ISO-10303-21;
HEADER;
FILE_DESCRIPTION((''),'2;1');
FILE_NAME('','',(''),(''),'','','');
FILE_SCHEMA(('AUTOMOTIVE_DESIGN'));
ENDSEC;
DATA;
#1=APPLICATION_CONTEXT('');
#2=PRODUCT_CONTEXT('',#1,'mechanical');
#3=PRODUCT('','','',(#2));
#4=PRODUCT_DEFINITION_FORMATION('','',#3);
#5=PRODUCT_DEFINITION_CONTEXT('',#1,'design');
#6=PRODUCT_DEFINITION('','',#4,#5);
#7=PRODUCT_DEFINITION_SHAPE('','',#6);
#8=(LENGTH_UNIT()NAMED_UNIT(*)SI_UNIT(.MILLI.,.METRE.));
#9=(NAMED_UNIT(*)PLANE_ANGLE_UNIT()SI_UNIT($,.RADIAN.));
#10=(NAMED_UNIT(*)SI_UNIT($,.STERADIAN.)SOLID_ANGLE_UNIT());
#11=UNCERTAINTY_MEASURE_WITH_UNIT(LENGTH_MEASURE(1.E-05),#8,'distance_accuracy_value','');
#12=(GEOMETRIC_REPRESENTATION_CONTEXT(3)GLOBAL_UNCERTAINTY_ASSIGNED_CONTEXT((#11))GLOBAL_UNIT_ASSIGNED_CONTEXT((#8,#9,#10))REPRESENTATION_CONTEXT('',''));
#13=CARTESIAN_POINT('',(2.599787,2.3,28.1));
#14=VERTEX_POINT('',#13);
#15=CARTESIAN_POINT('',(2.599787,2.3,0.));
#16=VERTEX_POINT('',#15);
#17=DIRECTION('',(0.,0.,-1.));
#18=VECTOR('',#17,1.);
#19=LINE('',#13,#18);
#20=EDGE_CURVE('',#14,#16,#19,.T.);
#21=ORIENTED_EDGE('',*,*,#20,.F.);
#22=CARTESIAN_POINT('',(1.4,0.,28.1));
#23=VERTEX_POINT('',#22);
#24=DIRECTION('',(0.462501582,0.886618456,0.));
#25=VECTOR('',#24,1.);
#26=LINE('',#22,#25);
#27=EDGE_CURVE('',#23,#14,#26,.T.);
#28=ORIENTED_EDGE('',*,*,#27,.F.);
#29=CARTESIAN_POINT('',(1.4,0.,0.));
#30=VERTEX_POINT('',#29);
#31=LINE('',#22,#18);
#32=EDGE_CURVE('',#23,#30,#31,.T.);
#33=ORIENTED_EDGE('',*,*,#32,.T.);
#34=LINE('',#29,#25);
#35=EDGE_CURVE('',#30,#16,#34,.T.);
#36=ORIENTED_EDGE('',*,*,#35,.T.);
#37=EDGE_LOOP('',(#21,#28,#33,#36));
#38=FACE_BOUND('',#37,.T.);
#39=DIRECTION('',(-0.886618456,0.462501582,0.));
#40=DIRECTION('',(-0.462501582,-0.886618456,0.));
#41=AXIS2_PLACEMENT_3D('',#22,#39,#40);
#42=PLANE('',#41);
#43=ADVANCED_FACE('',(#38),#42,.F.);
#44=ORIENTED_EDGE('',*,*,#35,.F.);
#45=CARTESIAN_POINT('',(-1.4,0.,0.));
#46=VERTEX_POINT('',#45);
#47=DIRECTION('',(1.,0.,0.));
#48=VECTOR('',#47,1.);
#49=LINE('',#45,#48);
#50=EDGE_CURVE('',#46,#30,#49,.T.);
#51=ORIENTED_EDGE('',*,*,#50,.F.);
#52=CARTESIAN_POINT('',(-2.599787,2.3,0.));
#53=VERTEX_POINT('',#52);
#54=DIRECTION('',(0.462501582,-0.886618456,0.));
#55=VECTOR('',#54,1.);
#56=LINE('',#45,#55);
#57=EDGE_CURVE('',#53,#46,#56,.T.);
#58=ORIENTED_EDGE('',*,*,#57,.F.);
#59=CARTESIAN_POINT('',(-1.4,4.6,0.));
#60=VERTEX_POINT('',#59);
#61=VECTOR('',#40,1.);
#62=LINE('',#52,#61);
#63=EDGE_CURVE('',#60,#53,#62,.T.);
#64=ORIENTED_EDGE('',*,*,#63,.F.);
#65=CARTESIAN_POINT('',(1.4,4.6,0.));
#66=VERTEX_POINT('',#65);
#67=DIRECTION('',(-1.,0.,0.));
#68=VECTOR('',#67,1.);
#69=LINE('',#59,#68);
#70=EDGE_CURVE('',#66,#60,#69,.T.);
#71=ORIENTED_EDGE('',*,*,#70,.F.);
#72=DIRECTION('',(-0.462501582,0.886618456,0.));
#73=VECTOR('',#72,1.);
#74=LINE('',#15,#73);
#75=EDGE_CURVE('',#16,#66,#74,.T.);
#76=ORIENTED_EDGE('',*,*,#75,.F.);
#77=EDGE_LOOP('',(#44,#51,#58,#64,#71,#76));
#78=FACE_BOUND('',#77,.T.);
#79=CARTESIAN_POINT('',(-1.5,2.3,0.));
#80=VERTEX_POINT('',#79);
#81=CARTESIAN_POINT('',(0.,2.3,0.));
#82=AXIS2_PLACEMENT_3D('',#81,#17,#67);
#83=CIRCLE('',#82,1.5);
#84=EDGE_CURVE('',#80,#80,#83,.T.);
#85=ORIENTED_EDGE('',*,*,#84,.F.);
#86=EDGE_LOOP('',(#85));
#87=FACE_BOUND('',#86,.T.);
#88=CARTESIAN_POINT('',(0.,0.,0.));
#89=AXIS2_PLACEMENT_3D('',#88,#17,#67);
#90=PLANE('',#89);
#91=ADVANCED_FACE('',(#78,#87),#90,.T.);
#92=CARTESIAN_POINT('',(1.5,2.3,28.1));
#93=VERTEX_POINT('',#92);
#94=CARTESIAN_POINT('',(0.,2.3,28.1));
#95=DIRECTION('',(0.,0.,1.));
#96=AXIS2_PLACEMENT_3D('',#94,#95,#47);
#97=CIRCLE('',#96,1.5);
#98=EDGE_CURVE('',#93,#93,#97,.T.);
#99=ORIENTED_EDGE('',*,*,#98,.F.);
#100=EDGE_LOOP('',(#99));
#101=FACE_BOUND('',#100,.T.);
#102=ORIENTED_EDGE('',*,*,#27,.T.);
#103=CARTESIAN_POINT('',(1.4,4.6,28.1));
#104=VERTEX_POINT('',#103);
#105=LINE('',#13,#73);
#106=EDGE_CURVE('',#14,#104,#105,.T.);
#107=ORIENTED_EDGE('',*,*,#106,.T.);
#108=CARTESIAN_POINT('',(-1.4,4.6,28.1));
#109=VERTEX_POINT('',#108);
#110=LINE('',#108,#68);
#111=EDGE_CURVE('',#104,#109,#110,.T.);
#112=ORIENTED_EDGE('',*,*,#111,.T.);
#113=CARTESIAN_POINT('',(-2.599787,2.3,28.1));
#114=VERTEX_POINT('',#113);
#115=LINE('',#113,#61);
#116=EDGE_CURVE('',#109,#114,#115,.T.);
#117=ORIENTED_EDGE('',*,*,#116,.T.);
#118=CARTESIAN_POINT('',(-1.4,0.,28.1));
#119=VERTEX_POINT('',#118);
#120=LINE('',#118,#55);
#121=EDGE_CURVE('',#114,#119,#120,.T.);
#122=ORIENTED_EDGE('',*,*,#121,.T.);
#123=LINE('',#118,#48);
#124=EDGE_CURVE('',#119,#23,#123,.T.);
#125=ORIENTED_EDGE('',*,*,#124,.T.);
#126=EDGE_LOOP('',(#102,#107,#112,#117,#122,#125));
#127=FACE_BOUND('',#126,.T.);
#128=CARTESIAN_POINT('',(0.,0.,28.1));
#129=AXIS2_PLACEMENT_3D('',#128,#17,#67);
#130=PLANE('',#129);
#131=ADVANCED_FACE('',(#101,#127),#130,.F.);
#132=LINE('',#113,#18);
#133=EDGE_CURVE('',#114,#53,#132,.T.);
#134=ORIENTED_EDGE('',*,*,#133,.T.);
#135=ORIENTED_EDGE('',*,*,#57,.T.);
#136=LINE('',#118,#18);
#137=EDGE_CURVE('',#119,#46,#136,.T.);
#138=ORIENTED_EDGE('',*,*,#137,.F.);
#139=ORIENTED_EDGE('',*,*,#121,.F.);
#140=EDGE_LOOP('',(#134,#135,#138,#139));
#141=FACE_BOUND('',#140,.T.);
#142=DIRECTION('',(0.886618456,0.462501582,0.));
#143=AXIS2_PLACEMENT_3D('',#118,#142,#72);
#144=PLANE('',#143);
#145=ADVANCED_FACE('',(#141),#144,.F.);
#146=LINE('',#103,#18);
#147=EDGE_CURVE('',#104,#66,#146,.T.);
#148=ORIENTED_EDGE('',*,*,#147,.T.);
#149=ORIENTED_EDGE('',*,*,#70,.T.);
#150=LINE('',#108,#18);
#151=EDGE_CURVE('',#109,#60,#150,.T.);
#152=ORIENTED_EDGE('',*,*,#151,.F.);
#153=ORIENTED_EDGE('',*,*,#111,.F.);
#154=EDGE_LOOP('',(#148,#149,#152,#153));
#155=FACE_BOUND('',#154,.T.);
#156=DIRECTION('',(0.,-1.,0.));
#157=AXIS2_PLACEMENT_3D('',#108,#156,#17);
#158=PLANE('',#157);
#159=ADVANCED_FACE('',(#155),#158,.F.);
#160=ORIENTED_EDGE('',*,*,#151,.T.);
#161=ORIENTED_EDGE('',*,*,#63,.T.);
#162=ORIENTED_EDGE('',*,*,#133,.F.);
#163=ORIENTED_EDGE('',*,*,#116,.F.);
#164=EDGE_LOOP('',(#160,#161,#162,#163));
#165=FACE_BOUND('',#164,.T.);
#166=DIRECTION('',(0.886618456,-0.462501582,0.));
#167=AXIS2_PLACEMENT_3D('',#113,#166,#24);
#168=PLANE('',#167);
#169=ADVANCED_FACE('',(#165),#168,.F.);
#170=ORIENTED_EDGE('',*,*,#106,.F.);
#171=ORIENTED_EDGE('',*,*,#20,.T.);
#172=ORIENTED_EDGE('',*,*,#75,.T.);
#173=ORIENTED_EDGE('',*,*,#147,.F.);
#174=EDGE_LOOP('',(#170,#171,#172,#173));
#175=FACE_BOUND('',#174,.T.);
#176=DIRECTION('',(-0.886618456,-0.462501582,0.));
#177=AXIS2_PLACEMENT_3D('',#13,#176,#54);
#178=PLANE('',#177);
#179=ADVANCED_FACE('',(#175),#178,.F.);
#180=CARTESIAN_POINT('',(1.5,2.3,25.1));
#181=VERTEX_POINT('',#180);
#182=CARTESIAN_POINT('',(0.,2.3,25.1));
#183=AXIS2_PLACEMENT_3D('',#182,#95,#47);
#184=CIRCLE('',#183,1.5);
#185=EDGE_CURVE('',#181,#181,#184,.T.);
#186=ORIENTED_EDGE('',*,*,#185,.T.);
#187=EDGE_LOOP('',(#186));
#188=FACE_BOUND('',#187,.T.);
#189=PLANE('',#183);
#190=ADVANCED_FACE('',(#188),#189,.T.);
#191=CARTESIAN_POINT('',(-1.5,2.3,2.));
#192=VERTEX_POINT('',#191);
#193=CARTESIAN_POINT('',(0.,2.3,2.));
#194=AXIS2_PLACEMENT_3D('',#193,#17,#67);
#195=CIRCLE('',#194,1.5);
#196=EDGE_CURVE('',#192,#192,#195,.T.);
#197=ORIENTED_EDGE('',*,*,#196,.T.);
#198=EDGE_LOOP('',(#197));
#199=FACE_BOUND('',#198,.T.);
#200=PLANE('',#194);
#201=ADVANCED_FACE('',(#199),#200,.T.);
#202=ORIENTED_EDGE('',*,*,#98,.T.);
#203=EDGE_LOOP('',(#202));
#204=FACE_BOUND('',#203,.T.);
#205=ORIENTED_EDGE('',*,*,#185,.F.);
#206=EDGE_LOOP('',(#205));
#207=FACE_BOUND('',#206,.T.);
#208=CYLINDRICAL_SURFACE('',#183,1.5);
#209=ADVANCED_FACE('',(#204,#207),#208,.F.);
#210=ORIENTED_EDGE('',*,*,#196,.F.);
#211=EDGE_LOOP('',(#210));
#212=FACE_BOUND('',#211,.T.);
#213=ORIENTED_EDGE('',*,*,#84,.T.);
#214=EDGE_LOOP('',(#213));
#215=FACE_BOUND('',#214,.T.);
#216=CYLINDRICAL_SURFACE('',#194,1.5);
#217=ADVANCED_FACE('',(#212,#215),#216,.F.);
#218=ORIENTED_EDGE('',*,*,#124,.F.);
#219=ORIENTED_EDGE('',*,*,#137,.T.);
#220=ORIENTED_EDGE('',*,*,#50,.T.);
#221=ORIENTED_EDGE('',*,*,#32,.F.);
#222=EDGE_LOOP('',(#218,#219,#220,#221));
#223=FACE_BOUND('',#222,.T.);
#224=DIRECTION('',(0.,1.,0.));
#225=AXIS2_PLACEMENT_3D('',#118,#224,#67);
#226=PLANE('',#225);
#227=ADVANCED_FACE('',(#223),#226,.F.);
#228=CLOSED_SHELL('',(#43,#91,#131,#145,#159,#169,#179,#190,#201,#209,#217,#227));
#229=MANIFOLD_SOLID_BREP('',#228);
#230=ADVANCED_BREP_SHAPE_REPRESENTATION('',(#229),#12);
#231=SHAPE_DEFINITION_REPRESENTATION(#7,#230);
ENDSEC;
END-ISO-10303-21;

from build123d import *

# Parameters (mm, degrees)
BOSS_EXTRUDE1_DEPTH = 28.1
SKETCH2_R           = 1.5
CUT_EXTRUDE1_DEPTH  = 2
CUT_EXTRUDE2_START  = -3
SKETCH3_R           = 1.5
CUT_EXTRUDE2_DEPTH  = 3


with BuildPart() as part:
    # Sketch1 → Boss-Extrude1 (new body)
    with BuildSketch(Plane.XY):
        Polygon((-1.4, 4.6), (1.4, 4.6), (2.599787383, 2.3), (1.4, 0), (-1.4, 0), (-2.599787383, 2.3), align=None)
    extrude(amount=BOSS_EXTRUDE1_DEPTH)

    # Sketch2 → Cut-Extrude1 (cut)
    with BuildSketch(Plane(origin=(0, 0, 0), x_dir=(-1, 0, 0), z_dir=(0, 0, -1))):
        with Locations((0, 2.3)):
            Circle(SKETCH2_R)
    extrude(amount=-CUT_EXTRUDE1_DEPTH, mode=Mode.SUBTRACT)

    # Sketch3 → Cut-Extrude2 (cut)
    with BuildSketch(Plane.XY.offset(28.1).offset(CUT_EXTRUDE2_START)):
        with Locations(Location((0, 2.3, 0), (0, 0, 180))):
            Circle(SKETCH3_R)
    extrude(amount=CUT_EXTRUDE2_DEPTH, mode=Mode.SUBTRACT)


solid = part.part
